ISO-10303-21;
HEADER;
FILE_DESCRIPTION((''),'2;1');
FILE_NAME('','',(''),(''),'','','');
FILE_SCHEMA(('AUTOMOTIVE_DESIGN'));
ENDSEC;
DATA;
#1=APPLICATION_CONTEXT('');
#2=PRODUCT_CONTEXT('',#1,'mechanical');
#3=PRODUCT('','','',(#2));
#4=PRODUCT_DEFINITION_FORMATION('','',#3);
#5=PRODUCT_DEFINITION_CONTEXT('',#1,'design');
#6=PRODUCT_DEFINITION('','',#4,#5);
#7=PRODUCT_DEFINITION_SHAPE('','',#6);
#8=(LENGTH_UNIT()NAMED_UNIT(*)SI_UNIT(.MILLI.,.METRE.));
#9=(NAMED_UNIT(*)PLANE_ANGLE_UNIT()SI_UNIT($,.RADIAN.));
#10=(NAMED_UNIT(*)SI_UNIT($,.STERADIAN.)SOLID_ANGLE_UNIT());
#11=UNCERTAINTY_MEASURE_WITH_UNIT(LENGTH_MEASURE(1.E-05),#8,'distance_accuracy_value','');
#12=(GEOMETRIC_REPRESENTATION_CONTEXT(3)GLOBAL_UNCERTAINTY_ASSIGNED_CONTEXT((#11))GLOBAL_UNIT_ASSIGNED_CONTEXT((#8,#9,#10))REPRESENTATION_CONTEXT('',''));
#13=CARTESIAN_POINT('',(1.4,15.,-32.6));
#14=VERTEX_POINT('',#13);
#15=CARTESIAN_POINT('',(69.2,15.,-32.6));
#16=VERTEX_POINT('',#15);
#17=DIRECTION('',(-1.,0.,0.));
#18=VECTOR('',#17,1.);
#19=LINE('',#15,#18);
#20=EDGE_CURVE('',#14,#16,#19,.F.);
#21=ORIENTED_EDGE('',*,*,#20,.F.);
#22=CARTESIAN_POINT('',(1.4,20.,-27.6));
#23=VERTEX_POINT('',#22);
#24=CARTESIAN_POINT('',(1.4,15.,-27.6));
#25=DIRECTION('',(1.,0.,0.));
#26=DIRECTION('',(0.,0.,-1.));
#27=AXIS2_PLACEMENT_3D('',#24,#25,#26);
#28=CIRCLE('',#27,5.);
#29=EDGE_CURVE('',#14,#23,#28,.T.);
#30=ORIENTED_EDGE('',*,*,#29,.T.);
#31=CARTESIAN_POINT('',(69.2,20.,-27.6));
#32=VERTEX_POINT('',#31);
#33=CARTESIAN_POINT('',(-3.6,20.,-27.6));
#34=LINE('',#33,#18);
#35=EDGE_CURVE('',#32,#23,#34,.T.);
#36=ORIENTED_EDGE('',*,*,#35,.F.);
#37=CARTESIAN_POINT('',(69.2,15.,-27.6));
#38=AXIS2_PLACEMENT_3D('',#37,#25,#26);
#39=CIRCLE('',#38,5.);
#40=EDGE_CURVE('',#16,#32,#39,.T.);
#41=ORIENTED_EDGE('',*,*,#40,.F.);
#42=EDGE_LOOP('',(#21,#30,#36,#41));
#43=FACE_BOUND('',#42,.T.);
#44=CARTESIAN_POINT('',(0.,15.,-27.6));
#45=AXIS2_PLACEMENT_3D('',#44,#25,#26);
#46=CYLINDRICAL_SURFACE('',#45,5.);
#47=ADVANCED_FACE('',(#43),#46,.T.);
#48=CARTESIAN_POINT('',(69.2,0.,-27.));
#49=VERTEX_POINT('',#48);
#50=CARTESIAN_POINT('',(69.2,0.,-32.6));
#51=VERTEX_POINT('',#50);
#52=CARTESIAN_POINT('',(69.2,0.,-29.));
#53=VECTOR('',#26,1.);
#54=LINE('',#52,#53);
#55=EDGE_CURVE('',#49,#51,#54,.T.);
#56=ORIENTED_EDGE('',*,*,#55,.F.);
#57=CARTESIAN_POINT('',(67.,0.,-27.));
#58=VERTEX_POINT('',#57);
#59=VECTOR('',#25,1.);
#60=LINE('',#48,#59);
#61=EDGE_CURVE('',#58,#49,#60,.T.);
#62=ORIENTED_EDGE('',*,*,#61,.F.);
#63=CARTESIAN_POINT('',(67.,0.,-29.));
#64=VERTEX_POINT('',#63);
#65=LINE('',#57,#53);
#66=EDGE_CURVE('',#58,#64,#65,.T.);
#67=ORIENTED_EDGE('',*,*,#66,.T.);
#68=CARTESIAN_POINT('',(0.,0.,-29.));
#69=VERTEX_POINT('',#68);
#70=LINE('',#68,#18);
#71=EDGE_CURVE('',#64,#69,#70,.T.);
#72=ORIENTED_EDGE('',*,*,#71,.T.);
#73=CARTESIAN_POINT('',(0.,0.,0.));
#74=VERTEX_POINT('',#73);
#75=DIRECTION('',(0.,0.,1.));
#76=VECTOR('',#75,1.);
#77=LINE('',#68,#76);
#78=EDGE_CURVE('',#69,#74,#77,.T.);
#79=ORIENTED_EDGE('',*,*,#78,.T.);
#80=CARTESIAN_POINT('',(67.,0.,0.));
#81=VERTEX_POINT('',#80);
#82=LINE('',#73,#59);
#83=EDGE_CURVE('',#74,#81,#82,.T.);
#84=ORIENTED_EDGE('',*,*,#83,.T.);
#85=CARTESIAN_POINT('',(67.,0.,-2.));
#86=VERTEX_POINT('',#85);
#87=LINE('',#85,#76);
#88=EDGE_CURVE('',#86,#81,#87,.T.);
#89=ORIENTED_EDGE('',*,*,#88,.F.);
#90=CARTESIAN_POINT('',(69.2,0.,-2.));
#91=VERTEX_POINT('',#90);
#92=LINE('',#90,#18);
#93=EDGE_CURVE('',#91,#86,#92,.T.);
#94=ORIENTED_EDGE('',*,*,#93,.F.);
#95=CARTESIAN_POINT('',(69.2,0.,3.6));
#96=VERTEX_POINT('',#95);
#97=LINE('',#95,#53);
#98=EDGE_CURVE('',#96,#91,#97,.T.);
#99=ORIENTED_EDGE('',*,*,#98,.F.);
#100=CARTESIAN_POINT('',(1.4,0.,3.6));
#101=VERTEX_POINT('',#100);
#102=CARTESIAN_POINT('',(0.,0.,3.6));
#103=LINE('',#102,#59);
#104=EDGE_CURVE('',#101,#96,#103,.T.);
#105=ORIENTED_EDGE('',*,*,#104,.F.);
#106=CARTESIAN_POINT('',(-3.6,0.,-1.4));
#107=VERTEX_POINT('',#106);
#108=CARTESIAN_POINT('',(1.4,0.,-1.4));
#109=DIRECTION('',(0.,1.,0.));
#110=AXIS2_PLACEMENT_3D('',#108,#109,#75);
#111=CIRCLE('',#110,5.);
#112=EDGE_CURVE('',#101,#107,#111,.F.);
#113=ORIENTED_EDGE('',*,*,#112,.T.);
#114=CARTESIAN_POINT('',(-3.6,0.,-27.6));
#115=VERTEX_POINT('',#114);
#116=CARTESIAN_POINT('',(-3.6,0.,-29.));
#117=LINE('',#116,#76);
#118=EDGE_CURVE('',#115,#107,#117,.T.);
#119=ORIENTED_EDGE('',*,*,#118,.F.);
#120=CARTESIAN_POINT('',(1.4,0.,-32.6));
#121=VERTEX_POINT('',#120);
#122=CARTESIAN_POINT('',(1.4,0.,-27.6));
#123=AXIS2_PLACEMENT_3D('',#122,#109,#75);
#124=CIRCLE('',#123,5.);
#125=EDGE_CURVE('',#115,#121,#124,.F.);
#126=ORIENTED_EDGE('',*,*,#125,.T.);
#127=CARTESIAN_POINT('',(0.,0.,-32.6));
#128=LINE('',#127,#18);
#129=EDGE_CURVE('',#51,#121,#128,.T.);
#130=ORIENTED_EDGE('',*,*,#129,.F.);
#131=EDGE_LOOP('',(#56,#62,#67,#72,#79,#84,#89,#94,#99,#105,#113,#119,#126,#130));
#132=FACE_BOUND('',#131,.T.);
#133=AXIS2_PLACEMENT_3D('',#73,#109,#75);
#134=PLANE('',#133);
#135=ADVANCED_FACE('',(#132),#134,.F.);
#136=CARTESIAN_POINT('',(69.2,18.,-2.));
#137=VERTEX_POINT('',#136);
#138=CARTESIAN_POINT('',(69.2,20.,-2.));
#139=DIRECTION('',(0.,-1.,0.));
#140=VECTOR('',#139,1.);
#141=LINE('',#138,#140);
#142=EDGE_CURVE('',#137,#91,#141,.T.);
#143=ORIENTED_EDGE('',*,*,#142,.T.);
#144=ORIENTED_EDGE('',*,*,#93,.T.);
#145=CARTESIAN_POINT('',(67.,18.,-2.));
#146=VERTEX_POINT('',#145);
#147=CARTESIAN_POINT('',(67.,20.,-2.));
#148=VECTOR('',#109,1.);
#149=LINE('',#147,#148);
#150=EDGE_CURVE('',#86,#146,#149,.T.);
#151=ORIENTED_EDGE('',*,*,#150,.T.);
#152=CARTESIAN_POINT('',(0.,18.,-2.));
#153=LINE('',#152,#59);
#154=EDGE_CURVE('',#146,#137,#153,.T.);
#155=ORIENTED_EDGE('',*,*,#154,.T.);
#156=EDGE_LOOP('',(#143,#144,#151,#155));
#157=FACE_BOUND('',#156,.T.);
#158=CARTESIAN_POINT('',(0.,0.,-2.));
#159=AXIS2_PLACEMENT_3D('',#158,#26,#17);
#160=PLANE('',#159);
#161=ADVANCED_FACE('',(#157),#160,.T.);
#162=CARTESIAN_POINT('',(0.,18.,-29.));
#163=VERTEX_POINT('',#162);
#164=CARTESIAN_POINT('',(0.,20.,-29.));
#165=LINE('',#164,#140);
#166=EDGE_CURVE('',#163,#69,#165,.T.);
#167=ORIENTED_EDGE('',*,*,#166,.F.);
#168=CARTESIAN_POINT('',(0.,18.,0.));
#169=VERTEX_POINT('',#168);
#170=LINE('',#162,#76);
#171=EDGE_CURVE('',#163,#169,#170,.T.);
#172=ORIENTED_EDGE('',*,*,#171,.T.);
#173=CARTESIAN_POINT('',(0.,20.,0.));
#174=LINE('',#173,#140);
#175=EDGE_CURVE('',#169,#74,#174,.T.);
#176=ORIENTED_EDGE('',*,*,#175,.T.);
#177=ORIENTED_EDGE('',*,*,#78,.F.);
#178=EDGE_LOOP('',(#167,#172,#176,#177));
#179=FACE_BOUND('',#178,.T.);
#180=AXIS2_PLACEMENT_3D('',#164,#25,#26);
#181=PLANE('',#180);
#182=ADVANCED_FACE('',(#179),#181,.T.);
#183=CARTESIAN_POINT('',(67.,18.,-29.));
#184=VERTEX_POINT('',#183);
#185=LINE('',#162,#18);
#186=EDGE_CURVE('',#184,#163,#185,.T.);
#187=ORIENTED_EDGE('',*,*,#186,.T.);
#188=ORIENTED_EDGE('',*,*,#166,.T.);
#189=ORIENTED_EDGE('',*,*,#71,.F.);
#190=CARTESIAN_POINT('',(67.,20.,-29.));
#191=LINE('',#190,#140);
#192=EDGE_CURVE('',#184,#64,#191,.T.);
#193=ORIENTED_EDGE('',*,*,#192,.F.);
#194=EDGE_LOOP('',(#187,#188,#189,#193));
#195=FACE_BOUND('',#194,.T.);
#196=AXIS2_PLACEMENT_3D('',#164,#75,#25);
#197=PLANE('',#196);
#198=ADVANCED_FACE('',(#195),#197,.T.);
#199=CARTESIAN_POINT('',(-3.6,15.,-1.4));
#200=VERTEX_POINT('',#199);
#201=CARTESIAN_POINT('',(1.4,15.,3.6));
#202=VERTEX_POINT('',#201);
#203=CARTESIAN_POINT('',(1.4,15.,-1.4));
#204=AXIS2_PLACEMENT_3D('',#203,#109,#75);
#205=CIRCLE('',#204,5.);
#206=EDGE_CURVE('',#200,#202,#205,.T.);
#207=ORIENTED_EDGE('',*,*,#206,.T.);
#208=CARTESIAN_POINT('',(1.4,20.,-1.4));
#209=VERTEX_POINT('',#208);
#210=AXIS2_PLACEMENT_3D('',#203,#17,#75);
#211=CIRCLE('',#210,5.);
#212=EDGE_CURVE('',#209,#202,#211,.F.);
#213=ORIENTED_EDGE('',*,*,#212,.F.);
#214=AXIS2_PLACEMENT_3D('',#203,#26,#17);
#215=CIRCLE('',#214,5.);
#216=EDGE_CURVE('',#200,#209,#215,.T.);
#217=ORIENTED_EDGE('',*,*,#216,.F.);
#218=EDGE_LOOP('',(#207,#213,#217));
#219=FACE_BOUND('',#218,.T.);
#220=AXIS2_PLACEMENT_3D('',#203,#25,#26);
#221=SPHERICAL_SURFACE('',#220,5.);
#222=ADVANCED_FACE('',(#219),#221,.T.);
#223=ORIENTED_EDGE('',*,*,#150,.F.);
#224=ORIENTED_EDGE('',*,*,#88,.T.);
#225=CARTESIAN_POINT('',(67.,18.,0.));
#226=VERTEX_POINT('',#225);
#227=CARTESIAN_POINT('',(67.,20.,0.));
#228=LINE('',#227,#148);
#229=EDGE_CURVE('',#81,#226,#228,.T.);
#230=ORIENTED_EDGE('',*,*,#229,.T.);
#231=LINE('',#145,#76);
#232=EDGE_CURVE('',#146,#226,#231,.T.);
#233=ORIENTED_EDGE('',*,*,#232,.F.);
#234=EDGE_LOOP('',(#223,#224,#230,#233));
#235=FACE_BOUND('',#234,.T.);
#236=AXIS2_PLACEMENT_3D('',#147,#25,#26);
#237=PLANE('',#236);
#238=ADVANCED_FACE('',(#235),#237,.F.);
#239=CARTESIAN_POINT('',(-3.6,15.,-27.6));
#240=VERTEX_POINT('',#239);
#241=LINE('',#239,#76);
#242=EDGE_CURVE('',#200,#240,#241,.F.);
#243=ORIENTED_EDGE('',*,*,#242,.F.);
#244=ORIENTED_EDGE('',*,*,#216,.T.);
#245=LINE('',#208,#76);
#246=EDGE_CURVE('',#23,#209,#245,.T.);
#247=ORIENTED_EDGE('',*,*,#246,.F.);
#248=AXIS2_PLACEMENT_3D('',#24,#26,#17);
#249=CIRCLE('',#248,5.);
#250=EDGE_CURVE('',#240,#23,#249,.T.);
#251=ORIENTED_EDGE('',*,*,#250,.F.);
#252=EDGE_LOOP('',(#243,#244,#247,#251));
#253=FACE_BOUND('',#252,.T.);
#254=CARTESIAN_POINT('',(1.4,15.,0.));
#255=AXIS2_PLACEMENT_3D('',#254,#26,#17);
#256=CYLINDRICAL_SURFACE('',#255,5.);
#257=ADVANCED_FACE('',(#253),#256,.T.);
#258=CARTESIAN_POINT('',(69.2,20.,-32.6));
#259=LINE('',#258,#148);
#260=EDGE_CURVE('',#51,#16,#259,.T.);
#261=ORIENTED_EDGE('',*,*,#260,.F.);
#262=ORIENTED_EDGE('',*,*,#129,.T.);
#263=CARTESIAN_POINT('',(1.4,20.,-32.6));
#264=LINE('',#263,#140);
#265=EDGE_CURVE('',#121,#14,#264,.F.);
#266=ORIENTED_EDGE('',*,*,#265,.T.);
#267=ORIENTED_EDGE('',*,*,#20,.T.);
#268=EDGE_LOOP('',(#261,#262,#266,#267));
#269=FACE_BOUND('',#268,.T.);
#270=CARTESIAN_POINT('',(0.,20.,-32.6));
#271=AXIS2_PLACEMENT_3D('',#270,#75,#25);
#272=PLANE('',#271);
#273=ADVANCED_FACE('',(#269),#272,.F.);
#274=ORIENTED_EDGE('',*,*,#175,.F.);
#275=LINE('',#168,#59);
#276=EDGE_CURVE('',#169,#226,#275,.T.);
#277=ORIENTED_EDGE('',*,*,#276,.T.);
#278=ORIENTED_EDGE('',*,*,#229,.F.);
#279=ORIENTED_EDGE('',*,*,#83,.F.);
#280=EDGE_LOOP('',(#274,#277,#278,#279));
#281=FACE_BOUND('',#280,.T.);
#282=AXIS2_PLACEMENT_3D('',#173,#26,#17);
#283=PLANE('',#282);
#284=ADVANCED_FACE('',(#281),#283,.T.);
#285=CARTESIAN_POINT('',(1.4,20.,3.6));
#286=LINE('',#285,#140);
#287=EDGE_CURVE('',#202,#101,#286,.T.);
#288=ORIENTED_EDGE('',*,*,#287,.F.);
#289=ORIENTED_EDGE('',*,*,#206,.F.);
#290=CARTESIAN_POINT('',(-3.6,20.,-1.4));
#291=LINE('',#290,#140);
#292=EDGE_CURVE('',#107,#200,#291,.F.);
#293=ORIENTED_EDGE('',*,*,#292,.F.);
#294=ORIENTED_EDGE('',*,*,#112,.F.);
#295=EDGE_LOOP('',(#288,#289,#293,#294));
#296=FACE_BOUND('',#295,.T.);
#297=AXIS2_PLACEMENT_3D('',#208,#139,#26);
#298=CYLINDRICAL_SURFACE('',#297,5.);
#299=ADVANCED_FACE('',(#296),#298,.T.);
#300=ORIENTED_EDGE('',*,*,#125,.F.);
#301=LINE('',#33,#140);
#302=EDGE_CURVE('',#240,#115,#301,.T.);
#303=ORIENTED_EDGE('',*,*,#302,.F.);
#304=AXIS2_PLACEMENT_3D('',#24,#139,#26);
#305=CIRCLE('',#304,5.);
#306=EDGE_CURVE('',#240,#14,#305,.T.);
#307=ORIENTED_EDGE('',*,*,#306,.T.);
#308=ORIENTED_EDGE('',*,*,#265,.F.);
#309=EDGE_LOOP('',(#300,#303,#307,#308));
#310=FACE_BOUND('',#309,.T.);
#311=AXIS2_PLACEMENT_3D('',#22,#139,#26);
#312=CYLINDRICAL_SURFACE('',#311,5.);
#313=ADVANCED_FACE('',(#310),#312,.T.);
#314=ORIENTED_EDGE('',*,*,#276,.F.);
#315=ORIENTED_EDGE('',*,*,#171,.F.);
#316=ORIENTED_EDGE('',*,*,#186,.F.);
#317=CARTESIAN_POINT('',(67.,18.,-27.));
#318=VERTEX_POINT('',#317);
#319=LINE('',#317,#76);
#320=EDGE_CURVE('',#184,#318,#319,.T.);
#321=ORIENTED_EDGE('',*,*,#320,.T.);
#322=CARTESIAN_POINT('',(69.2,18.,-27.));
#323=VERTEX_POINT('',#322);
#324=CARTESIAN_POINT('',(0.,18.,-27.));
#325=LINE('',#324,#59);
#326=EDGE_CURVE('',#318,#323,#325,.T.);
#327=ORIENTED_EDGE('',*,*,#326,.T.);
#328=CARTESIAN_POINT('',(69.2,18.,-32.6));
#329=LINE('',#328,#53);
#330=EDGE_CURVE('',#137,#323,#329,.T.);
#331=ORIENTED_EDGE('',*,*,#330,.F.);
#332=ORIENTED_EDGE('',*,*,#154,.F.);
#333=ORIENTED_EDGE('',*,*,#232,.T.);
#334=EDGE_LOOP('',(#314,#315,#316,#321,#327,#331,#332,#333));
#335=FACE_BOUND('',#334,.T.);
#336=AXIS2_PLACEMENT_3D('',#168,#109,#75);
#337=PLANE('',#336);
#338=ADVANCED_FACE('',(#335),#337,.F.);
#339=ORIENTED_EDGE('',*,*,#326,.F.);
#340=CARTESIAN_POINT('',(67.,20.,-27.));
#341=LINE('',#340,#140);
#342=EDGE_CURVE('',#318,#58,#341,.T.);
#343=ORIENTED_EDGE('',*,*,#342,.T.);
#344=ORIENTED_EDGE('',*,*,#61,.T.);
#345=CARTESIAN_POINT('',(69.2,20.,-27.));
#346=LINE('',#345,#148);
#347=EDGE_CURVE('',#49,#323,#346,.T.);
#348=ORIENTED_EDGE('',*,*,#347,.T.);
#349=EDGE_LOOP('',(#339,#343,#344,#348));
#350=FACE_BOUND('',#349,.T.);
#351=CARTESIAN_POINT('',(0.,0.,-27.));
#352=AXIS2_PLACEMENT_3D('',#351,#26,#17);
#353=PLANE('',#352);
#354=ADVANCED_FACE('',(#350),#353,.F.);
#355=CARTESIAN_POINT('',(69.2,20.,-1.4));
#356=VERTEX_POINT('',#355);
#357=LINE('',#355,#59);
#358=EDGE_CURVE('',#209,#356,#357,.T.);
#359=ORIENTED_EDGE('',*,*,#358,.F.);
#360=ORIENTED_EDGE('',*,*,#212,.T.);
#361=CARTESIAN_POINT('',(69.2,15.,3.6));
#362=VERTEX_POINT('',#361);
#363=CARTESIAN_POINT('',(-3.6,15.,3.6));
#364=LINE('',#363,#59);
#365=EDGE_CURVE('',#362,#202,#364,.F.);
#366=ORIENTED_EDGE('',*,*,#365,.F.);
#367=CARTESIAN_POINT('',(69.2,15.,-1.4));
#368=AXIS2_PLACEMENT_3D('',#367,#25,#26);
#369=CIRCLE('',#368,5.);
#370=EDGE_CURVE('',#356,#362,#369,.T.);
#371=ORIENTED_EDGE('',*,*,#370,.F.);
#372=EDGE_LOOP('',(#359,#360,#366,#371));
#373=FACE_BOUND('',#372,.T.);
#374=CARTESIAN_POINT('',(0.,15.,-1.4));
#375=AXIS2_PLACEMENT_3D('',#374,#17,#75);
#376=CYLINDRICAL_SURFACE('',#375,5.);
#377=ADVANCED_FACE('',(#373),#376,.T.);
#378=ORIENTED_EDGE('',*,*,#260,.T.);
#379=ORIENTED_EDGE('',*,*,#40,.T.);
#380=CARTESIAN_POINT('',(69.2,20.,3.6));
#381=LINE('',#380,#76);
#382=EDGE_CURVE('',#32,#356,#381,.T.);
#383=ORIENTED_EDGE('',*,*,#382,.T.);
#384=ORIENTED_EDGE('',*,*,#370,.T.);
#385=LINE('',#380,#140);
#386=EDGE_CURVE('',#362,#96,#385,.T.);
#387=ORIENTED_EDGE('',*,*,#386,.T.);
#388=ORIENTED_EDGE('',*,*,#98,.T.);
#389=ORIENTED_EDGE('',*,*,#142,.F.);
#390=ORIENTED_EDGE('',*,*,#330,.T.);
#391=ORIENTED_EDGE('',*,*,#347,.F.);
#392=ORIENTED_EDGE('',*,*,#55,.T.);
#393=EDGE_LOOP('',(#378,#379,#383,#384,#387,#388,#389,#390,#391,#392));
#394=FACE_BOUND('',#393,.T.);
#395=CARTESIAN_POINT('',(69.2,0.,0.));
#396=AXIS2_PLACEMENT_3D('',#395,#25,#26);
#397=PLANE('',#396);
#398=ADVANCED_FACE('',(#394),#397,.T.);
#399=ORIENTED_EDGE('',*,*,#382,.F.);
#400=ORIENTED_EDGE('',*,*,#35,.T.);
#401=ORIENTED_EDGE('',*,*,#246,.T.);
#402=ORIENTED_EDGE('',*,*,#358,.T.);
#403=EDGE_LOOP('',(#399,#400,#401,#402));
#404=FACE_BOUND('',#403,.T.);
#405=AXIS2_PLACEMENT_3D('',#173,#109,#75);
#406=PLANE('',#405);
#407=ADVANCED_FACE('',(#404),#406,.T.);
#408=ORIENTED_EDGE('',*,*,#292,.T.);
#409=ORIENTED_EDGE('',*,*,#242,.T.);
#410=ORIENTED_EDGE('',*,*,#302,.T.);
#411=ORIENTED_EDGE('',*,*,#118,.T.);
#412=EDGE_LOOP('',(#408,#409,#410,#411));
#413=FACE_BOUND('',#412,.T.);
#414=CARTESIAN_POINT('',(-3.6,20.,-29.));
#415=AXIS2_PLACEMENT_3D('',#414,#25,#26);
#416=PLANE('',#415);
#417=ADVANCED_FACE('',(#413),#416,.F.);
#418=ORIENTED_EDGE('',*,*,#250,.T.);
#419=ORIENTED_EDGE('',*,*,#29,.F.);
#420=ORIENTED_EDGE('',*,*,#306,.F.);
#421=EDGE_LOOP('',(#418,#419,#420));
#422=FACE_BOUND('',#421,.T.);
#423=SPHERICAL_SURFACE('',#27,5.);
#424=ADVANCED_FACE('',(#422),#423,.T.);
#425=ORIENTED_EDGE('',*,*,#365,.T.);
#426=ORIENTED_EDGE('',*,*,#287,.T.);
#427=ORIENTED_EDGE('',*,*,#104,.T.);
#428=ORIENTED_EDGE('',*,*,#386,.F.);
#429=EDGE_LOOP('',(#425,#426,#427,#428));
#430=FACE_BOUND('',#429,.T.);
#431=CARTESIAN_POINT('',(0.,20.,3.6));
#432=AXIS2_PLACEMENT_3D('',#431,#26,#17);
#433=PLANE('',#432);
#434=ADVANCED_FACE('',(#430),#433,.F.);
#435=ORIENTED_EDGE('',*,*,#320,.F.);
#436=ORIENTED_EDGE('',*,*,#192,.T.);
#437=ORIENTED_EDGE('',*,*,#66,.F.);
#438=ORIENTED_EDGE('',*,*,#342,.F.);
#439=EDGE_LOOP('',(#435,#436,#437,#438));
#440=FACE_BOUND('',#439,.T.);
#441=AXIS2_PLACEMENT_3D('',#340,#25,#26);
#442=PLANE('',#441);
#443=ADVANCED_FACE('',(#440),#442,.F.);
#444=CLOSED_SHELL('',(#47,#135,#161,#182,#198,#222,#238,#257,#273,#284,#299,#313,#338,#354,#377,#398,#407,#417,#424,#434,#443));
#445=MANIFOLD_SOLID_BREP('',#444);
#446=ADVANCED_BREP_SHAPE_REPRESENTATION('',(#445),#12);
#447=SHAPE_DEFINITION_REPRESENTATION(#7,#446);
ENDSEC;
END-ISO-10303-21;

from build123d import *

# Parameters (mm, degrees)
SKETCH_1_W          = 72.2
SKETCH_1_H          = 36.2
SKETCH_1_W_2        = 65
SKETCH_1_H_2        = 29
EXTRUDE_1_DEPTH     = 20
SKETCH_2_W          = 29
SKETCH_2_H          = 20
CUT_EXTRUDE_1_DEPTH = 3.6
SKETCH_3_W          = 3.6
SKETCH_3_H          = 20
EXTRUDE_1_2_DEPTH   = 0.6
SKETCH_4_W          = 2.2
SKETCH_4_H          = 20
EXTRUDE_2_DEPTH     = 2
SKETCH_5_W          = 2.2
SKETCH_5_H          = 20
EXTRUDE_3_DEPTH     = 2
SKETCH_6_W          = 72.8
SKETCH_6_H          = 36.2
EXTRUDE_4_DEPTH     = 2
FILLET_1_R          = 5
FILLET_2_R          = 5
FILLET_3_R          = 5


with BuildPart() as part:
    # 草图1 → Extrude 1 (new body)
    with BuildSketch(Plane(origin=(0, 0, 0), x_dir=(1, 0, 0), z_dir=(0, 1, 0))):
        with Locations((32.5, 14.5)):
            Rectangle(SKETCH_1_W, SKETCH_1_H)
        with Locations((32.5, 14.5)):
            Rectangle(SKETCH_1_W_2, SKETCH_1_H_2, mode=Mode.SUBTRACT)
    extrude(amount=EXTRUDE_1_DEPTH)

    # 草图2 → 切除-拉伸1 (cut)
    with BuildSketch(Plane.ZY.offset(-65)):
        with Locations((-14.5, 10)):
            Rectangle(SKETCH_2_W, SKETCH_2_H)
    extrude(amount=-CUT_EXTRUDE_1_DEPTH, mode=Mode.SUBTRACT)

    # 草图3 → Extrude 1 2 (add)
    with BuildSketch(Plane(origin=(68.6, 0, 0), x_dir=(0, 0, -1), z_dir=(1, 0, 0))):
        with Locations((-1.8, 10)):
            Rectangle(SKETCH_3_W, SKETCH_3_H)
        with Locations((30.8, 10)):
            Rectangle(SKETCH_3_W, SKETCH_3_H)
    extrude(amount=EXTRUDE_1_2_DEPTH)

    # 草图4 → 凸台-拉伸2 (add)
    with BuildSketch(Plane(origin=(0, 0, 0), x_dir=(-1, 0, 0), z_dir=(0, 0, -1))):
        with Locations((-68.1, 10)):
            Rectangle(SKETCH_4_W, SKETCH_4_H)
    extrude(amount=EXTRUDE_2_DEPTH)

    # 草图5 → 凸台-拉伸3 (add)
    with BuildSketch(Plane.XY.offset(-29)):
        with Locations((68.1, 10)):
            Rectangle(SKETCH_5_W, SKETCH_5_H)
    extrude(amount=EXTRUDE_3_DEPTH)

    # 草图6 → 凸台-拉伸4 (add)
    with BuildSketch(Plane(origin=(0, 20, 0), x_dir=(1, 0, 0), z_dir=(0, 1, 0))):
        with Locations((32.8, 14.5)):
            Rectangle(SKETCH_6_W, SKETCH_6_H)
    extrude(amount=-EXTRUDE_4_DEPTH)

    # 圆角1
    fillet_1_edges = [part.edges().sort_by_distance(p)[0] for p in [
        (32.8, 20, -32.6),
    ]]
    fillet(fillet_1_edges, radius=FILLET_1_R)

    # 圆角2
    fillet_2_edges = [part.edges().sort_by_distance(p)[0] for p in [
        (32.8, 20, 3.6),
    ]]
    fillet(fillet_2_edges, radius=FILLET_2_R)

    # 圆角3
    fillet_3_edges = [part.edges().sort_by_distance(p)[0] for p in [
        (-3.6, 20, -14.5),
        (-3.6, 7.5, -32.6),
        (-3.6, 18.535533906, -31.135533906),
        (-3.6, 7.5, 3.6),
        (-3.6, 18.535533906, 2.135533906),
    ]]
    fillet(fillet_3_edges, radius=FILLET_3_R)


solid = part.part
